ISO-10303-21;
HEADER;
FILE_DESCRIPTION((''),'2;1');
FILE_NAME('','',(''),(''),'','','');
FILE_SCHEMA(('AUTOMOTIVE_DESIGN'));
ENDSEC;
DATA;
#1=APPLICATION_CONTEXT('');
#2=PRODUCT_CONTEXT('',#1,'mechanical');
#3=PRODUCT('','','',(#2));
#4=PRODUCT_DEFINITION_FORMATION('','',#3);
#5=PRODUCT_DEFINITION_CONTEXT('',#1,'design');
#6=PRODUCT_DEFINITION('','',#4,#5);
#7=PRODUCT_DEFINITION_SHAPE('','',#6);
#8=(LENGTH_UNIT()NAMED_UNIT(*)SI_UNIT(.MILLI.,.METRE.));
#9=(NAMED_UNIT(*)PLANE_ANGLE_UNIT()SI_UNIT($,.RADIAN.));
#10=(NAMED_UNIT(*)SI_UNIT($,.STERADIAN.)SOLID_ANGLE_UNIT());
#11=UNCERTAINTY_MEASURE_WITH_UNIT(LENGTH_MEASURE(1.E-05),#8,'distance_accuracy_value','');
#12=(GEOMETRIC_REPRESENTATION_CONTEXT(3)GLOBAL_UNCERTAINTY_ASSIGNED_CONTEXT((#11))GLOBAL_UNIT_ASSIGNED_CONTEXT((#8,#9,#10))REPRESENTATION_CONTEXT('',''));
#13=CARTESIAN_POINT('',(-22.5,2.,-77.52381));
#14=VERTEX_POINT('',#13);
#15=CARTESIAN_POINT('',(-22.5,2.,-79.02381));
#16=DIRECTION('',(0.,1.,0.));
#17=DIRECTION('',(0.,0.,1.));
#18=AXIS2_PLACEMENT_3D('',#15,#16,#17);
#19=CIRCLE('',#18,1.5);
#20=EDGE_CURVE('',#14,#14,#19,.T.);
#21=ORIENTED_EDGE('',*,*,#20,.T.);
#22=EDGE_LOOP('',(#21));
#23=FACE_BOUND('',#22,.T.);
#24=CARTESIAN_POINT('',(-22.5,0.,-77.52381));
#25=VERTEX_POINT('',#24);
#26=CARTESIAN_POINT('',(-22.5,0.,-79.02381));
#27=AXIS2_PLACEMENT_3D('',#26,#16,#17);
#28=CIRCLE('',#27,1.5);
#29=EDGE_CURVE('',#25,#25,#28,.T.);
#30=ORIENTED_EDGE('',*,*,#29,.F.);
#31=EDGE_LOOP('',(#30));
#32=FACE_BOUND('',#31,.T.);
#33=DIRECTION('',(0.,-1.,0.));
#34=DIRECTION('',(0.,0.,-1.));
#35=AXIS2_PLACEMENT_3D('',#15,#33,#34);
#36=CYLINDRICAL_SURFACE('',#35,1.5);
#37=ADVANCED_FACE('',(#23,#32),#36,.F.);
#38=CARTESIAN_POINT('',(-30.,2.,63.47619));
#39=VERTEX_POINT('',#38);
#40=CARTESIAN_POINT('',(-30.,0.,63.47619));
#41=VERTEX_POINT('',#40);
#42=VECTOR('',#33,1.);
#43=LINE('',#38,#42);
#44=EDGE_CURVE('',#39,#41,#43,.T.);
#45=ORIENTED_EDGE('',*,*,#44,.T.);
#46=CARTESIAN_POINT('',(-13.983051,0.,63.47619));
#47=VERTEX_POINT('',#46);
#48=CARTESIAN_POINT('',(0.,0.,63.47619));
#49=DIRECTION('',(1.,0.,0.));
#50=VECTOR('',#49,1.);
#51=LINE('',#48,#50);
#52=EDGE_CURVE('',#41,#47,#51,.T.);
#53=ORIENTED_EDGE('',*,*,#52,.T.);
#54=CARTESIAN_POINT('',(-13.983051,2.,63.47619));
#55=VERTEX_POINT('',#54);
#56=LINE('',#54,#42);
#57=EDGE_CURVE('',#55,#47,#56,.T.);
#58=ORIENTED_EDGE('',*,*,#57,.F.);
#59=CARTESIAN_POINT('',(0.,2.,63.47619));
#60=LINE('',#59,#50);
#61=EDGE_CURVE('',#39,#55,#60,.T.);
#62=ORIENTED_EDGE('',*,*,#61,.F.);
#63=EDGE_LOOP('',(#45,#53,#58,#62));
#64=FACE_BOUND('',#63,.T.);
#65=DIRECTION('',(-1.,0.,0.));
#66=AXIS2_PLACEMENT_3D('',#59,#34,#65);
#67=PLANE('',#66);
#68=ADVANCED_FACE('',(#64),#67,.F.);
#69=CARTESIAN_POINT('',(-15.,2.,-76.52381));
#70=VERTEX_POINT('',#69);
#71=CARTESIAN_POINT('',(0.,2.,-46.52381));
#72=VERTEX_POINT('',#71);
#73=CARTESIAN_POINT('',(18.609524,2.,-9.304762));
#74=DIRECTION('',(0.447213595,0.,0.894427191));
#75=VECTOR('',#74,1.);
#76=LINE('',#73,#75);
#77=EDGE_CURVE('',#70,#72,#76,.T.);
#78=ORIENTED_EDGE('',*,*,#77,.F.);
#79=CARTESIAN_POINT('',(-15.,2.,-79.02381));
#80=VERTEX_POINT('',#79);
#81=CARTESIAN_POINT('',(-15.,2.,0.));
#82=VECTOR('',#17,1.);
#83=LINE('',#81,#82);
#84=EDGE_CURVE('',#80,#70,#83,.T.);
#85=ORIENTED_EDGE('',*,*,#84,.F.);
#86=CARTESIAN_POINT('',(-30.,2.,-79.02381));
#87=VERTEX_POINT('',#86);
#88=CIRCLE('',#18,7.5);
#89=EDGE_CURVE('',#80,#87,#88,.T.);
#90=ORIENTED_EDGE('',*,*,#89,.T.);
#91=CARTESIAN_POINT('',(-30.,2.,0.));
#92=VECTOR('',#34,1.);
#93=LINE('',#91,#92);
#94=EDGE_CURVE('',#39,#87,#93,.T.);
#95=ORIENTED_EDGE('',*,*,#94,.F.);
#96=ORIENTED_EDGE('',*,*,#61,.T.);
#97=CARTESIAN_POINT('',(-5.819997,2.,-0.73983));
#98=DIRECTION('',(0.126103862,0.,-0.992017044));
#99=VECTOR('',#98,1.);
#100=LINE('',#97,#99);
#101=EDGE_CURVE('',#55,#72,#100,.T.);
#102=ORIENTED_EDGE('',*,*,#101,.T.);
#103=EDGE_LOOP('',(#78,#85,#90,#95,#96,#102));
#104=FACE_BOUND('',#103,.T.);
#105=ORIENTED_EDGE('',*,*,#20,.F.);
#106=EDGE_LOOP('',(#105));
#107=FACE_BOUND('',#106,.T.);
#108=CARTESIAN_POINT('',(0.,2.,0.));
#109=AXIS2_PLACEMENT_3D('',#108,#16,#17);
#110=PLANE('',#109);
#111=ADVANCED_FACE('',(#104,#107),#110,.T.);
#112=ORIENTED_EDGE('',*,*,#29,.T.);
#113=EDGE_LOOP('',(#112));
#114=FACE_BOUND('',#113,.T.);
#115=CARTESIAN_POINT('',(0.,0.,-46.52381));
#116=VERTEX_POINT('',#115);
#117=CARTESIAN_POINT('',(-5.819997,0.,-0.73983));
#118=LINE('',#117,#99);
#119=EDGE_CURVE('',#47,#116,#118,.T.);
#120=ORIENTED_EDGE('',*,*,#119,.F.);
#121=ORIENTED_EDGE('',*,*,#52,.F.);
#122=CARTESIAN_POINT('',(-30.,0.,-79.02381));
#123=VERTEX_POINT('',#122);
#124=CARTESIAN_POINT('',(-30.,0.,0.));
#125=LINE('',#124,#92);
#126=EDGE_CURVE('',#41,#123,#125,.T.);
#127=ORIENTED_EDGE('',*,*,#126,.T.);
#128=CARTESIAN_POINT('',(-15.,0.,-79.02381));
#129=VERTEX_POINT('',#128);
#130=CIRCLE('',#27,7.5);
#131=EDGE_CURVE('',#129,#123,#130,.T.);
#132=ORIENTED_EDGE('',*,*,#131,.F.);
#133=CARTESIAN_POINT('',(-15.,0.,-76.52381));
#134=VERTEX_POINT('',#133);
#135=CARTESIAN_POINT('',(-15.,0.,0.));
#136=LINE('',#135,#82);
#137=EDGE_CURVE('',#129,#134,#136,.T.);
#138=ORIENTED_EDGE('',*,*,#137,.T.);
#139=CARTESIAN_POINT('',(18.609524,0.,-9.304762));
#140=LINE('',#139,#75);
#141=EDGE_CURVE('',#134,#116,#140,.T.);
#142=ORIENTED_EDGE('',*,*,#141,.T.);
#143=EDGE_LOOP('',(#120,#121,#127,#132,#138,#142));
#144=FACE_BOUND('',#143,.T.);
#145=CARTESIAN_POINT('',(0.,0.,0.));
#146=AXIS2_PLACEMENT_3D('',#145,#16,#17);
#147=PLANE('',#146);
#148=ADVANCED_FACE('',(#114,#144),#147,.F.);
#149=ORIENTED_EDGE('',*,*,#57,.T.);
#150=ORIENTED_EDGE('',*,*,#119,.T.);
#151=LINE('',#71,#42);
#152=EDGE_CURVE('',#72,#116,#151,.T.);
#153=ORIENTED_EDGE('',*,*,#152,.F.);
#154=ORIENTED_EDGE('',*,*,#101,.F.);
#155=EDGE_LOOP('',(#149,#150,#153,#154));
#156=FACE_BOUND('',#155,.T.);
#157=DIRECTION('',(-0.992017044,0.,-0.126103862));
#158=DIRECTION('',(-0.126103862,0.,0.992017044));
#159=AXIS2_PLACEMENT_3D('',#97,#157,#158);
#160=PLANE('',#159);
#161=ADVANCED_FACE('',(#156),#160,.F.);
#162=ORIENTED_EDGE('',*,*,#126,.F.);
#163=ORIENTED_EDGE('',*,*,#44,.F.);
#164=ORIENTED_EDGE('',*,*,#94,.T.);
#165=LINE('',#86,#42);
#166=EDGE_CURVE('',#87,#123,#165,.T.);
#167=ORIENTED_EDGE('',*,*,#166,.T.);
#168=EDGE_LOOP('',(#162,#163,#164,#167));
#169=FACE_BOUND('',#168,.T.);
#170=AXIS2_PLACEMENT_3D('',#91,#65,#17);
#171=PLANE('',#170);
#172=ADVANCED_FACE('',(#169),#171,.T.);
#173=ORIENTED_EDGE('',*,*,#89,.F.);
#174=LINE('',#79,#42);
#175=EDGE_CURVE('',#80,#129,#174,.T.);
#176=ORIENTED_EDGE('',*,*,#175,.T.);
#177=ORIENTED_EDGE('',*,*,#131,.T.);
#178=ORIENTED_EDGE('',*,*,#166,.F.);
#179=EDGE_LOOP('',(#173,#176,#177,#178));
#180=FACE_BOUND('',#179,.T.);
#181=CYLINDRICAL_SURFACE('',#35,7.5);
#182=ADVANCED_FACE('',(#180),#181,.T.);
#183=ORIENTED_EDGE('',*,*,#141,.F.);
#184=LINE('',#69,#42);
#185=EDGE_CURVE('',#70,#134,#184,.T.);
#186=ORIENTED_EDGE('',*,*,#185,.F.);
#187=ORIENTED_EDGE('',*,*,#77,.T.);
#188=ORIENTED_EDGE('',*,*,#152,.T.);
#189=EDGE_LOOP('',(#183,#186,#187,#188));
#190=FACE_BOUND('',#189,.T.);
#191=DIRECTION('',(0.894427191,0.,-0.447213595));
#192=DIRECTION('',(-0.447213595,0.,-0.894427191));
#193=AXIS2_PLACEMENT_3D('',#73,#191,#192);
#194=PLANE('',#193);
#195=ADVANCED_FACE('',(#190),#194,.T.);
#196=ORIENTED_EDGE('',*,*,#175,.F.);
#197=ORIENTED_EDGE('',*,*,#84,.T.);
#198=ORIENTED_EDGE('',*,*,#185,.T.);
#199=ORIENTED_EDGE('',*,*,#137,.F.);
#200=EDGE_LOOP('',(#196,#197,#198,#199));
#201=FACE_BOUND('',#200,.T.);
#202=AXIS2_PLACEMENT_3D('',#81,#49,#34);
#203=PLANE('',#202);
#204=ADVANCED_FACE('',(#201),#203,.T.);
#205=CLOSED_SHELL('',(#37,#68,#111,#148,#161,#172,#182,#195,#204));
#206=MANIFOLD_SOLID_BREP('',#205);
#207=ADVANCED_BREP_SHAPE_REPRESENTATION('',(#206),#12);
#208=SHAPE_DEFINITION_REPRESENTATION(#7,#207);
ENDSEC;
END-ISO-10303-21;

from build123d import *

# Parameters (mm, degrees)
CROQUIS1_R              = 1.5
SALIENTE_EXTRUIR1_DEPTH = 2


with BuildPart() as part:
    # Croquis1 → Saliente-Extruir1 (new body)
    with BuildSketch(Plane(origin=(0, 0, 0), x_dir=(1, 0, 0), z_dir=(0, 1, 0))):
        with BuildLine():
            Line((-30, 79.023809524), (-30, 0))
            Line((-30, 0), (-30, -63.476190476))
            Line((-30, -63.476190476), (-13.983050847, -63.476190476))
            Line((-13.983050847, -63.476190476), (0, 46.523809524))
            Line((0, 46.523809524), (-15, 76.523809524))
            Line((-15, 76.523809524), (-15, 79.023809524))
            ThreePointArc((-15, 79.023809524), (-22.5, 86.523809524), (-30, 79.023809524))
        make_face()
        with Locations(Location((-22.5, 79.023809524, 0), (0, 0, 270))):
            Circle(CROQUIS1_R, mode=Mode.SUBTRACT)
    extrude(amount=SALIENTE_EXTRUIR1_DEPTH)


solid = part.part
